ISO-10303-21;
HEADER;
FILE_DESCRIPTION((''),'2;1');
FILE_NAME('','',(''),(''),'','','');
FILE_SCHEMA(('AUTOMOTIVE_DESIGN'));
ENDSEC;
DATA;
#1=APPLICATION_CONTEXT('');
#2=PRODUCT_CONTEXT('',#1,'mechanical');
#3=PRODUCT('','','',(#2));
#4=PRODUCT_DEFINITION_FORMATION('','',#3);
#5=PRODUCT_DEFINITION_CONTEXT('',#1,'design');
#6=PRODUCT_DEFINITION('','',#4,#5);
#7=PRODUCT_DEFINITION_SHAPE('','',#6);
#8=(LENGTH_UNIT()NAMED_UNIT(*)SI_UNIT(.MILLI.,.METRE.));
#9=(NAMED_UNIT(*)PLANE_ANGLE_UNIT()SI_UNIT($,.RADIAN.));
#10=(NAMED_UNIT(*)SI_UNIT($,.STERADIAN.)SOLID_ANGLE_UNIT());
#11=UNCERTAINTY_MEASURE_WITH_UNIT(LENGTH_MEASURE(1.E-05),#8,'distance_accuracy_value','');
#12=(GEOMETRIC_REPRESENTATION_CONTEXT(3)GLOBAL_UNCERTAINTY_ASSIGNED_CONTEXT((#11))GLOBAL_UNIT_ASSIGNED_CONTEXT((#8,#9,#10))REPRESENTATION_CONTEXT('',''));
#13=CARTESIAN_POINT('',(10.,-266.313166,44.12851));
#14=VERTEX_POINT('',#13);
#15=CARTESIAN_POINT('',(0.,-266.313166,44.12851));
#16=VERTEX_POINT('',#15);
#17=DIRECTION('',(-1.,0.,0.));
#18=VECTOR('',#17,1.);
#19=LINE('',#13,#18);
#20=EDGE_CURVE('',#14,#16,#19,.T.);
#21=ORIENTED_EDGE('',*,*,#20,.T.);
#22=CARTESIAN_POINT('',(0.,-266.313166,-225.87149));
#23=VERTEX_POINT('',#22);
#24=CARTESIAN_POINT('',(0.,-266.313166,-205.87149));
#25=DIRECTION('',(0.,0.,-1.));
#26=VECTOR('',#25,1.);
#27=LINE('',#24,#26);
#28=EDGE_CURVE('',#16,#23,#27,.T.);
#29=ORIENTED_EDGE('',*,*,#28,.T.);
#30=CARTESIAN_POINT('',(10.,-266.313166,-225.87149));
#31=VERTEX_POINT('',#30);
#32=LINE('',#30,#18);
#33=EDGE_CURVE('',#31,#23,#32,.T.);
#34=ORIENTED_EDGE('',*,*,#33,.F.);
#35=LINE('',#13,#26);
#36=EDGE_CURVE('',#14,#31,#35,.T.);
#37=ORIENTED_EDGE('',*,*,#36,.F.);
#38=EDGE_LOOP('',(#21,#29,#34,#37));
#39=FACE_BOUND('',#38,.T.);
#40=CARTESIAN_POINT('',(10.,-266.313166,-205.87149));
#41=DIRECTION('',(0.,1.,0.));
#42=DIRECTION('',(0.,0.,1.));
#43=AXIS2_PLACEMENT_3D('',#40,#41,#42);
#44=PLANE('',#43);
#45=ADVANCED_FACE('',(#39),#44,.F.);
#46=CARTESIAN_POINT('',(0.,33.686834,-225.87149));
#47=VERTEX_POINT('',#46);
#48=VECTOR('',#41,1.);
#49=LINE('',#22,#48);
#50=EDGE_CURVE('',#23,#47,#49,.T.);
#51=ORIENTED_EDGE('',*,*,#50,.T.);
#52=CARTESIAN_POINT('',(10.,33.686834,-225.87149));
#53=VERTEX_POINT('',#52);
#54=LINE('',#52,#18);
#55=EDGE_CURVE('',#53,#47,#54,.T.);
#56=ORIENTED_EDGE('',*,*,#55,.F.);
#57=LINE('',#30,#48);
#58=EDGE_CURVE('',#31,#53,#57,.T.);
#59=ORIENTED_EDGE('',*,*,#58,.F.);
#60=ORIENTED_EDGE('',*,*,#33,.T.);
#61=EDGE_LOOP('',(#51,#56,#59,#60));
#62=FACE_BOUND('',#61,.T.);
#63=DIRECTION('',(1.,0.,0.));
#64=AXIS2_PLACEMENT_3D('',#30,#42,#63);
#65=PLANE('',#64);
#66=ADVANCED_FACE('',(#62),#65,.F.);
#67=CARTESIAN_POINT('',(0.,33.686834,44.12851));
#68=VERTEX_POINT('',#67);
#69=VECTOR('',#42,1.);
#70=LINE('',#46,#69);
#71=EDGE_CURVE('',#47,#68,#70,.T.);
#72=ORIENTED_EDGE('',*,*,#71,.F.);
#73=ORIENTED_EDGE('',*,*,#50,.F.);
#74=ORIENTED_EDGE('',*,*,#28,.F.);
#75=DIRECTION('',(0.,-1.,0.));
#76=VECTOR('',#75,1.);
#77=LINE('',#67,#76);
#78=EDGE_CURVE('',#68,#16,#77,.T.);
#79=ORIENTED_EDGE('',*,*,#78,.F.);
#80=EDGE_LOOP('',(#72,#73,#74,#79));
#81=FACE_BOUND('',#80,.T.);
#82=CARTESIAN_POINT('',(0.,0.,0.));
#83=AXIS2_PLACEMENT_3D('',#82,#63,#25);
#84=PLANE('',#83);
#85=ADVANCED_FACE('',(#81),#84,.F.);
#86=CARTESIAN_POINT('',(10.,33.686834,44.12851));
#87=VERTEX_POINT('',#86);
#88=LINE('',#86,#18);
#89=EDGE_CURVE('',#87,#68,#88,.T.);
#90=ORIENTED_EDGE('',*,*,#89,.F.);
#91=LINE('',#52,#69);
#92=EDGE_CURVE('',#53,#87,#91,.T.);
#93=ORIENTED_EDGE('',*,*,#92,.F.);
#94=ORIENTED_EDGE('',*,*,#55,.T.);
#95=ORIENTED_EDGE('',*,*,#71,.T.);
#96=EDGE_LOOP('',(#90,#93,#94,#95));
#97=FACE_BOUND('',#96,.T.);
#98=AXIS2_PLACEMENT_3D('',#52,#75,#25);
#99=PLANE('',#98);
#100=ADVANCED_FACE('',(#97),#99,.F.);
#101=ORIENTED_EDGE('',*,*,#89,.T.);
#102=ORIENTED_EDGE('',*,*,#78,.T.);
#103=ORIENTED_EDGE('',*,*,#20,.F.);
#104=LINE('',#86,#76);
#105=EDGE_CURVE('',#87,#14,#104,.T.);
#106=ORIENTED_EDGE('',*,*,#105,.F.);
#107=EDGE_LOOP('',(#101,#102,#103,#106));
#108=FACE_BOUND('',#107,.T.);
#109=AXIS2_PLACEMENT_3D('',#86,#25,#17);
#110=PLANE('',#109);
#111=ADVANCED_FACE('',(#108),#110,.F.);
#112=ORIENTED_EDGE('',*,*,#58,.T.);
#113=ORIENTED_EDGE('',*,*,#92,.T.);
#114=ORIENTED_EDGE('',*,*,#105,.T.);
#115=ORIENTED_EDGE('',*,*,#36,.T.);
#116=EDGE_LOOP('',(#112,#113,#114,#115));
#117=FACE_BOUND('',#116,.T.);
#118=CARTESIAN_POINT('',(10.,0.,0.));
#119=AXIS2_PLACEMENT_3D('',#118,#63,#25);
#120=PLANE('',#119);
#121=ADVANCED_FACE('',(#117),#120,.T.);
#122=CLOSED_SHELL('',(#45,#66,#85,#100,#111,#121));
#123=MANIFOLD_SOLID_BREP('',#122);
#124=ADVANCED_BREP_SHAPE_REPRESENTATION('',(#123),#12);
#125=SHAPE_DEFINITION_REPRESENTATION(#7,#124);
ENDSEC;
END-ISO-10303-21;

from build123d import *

# Parameters (mm, degrees)
EXTRUDE_1_DEPTH = 10


with BuildPart() as part:
    # 草图1 → 凸台-拉伸1 (new body)
    with BuildSketch(Plane(origin=(0, 0, 0), x_dir=(0, 0, -1), z_dir=(1, 0, 0))):
        Polygon((-44.128510002, 33.686834396), (-44.128510002, -266.313165604), (205.871489998, -266.313165604), (225.871489998, -266.313165604), (225.871489998, 33.686834396), align=None)
    extrude(amount=EXTRUDE_1_DEPTH)


solid = part.part
